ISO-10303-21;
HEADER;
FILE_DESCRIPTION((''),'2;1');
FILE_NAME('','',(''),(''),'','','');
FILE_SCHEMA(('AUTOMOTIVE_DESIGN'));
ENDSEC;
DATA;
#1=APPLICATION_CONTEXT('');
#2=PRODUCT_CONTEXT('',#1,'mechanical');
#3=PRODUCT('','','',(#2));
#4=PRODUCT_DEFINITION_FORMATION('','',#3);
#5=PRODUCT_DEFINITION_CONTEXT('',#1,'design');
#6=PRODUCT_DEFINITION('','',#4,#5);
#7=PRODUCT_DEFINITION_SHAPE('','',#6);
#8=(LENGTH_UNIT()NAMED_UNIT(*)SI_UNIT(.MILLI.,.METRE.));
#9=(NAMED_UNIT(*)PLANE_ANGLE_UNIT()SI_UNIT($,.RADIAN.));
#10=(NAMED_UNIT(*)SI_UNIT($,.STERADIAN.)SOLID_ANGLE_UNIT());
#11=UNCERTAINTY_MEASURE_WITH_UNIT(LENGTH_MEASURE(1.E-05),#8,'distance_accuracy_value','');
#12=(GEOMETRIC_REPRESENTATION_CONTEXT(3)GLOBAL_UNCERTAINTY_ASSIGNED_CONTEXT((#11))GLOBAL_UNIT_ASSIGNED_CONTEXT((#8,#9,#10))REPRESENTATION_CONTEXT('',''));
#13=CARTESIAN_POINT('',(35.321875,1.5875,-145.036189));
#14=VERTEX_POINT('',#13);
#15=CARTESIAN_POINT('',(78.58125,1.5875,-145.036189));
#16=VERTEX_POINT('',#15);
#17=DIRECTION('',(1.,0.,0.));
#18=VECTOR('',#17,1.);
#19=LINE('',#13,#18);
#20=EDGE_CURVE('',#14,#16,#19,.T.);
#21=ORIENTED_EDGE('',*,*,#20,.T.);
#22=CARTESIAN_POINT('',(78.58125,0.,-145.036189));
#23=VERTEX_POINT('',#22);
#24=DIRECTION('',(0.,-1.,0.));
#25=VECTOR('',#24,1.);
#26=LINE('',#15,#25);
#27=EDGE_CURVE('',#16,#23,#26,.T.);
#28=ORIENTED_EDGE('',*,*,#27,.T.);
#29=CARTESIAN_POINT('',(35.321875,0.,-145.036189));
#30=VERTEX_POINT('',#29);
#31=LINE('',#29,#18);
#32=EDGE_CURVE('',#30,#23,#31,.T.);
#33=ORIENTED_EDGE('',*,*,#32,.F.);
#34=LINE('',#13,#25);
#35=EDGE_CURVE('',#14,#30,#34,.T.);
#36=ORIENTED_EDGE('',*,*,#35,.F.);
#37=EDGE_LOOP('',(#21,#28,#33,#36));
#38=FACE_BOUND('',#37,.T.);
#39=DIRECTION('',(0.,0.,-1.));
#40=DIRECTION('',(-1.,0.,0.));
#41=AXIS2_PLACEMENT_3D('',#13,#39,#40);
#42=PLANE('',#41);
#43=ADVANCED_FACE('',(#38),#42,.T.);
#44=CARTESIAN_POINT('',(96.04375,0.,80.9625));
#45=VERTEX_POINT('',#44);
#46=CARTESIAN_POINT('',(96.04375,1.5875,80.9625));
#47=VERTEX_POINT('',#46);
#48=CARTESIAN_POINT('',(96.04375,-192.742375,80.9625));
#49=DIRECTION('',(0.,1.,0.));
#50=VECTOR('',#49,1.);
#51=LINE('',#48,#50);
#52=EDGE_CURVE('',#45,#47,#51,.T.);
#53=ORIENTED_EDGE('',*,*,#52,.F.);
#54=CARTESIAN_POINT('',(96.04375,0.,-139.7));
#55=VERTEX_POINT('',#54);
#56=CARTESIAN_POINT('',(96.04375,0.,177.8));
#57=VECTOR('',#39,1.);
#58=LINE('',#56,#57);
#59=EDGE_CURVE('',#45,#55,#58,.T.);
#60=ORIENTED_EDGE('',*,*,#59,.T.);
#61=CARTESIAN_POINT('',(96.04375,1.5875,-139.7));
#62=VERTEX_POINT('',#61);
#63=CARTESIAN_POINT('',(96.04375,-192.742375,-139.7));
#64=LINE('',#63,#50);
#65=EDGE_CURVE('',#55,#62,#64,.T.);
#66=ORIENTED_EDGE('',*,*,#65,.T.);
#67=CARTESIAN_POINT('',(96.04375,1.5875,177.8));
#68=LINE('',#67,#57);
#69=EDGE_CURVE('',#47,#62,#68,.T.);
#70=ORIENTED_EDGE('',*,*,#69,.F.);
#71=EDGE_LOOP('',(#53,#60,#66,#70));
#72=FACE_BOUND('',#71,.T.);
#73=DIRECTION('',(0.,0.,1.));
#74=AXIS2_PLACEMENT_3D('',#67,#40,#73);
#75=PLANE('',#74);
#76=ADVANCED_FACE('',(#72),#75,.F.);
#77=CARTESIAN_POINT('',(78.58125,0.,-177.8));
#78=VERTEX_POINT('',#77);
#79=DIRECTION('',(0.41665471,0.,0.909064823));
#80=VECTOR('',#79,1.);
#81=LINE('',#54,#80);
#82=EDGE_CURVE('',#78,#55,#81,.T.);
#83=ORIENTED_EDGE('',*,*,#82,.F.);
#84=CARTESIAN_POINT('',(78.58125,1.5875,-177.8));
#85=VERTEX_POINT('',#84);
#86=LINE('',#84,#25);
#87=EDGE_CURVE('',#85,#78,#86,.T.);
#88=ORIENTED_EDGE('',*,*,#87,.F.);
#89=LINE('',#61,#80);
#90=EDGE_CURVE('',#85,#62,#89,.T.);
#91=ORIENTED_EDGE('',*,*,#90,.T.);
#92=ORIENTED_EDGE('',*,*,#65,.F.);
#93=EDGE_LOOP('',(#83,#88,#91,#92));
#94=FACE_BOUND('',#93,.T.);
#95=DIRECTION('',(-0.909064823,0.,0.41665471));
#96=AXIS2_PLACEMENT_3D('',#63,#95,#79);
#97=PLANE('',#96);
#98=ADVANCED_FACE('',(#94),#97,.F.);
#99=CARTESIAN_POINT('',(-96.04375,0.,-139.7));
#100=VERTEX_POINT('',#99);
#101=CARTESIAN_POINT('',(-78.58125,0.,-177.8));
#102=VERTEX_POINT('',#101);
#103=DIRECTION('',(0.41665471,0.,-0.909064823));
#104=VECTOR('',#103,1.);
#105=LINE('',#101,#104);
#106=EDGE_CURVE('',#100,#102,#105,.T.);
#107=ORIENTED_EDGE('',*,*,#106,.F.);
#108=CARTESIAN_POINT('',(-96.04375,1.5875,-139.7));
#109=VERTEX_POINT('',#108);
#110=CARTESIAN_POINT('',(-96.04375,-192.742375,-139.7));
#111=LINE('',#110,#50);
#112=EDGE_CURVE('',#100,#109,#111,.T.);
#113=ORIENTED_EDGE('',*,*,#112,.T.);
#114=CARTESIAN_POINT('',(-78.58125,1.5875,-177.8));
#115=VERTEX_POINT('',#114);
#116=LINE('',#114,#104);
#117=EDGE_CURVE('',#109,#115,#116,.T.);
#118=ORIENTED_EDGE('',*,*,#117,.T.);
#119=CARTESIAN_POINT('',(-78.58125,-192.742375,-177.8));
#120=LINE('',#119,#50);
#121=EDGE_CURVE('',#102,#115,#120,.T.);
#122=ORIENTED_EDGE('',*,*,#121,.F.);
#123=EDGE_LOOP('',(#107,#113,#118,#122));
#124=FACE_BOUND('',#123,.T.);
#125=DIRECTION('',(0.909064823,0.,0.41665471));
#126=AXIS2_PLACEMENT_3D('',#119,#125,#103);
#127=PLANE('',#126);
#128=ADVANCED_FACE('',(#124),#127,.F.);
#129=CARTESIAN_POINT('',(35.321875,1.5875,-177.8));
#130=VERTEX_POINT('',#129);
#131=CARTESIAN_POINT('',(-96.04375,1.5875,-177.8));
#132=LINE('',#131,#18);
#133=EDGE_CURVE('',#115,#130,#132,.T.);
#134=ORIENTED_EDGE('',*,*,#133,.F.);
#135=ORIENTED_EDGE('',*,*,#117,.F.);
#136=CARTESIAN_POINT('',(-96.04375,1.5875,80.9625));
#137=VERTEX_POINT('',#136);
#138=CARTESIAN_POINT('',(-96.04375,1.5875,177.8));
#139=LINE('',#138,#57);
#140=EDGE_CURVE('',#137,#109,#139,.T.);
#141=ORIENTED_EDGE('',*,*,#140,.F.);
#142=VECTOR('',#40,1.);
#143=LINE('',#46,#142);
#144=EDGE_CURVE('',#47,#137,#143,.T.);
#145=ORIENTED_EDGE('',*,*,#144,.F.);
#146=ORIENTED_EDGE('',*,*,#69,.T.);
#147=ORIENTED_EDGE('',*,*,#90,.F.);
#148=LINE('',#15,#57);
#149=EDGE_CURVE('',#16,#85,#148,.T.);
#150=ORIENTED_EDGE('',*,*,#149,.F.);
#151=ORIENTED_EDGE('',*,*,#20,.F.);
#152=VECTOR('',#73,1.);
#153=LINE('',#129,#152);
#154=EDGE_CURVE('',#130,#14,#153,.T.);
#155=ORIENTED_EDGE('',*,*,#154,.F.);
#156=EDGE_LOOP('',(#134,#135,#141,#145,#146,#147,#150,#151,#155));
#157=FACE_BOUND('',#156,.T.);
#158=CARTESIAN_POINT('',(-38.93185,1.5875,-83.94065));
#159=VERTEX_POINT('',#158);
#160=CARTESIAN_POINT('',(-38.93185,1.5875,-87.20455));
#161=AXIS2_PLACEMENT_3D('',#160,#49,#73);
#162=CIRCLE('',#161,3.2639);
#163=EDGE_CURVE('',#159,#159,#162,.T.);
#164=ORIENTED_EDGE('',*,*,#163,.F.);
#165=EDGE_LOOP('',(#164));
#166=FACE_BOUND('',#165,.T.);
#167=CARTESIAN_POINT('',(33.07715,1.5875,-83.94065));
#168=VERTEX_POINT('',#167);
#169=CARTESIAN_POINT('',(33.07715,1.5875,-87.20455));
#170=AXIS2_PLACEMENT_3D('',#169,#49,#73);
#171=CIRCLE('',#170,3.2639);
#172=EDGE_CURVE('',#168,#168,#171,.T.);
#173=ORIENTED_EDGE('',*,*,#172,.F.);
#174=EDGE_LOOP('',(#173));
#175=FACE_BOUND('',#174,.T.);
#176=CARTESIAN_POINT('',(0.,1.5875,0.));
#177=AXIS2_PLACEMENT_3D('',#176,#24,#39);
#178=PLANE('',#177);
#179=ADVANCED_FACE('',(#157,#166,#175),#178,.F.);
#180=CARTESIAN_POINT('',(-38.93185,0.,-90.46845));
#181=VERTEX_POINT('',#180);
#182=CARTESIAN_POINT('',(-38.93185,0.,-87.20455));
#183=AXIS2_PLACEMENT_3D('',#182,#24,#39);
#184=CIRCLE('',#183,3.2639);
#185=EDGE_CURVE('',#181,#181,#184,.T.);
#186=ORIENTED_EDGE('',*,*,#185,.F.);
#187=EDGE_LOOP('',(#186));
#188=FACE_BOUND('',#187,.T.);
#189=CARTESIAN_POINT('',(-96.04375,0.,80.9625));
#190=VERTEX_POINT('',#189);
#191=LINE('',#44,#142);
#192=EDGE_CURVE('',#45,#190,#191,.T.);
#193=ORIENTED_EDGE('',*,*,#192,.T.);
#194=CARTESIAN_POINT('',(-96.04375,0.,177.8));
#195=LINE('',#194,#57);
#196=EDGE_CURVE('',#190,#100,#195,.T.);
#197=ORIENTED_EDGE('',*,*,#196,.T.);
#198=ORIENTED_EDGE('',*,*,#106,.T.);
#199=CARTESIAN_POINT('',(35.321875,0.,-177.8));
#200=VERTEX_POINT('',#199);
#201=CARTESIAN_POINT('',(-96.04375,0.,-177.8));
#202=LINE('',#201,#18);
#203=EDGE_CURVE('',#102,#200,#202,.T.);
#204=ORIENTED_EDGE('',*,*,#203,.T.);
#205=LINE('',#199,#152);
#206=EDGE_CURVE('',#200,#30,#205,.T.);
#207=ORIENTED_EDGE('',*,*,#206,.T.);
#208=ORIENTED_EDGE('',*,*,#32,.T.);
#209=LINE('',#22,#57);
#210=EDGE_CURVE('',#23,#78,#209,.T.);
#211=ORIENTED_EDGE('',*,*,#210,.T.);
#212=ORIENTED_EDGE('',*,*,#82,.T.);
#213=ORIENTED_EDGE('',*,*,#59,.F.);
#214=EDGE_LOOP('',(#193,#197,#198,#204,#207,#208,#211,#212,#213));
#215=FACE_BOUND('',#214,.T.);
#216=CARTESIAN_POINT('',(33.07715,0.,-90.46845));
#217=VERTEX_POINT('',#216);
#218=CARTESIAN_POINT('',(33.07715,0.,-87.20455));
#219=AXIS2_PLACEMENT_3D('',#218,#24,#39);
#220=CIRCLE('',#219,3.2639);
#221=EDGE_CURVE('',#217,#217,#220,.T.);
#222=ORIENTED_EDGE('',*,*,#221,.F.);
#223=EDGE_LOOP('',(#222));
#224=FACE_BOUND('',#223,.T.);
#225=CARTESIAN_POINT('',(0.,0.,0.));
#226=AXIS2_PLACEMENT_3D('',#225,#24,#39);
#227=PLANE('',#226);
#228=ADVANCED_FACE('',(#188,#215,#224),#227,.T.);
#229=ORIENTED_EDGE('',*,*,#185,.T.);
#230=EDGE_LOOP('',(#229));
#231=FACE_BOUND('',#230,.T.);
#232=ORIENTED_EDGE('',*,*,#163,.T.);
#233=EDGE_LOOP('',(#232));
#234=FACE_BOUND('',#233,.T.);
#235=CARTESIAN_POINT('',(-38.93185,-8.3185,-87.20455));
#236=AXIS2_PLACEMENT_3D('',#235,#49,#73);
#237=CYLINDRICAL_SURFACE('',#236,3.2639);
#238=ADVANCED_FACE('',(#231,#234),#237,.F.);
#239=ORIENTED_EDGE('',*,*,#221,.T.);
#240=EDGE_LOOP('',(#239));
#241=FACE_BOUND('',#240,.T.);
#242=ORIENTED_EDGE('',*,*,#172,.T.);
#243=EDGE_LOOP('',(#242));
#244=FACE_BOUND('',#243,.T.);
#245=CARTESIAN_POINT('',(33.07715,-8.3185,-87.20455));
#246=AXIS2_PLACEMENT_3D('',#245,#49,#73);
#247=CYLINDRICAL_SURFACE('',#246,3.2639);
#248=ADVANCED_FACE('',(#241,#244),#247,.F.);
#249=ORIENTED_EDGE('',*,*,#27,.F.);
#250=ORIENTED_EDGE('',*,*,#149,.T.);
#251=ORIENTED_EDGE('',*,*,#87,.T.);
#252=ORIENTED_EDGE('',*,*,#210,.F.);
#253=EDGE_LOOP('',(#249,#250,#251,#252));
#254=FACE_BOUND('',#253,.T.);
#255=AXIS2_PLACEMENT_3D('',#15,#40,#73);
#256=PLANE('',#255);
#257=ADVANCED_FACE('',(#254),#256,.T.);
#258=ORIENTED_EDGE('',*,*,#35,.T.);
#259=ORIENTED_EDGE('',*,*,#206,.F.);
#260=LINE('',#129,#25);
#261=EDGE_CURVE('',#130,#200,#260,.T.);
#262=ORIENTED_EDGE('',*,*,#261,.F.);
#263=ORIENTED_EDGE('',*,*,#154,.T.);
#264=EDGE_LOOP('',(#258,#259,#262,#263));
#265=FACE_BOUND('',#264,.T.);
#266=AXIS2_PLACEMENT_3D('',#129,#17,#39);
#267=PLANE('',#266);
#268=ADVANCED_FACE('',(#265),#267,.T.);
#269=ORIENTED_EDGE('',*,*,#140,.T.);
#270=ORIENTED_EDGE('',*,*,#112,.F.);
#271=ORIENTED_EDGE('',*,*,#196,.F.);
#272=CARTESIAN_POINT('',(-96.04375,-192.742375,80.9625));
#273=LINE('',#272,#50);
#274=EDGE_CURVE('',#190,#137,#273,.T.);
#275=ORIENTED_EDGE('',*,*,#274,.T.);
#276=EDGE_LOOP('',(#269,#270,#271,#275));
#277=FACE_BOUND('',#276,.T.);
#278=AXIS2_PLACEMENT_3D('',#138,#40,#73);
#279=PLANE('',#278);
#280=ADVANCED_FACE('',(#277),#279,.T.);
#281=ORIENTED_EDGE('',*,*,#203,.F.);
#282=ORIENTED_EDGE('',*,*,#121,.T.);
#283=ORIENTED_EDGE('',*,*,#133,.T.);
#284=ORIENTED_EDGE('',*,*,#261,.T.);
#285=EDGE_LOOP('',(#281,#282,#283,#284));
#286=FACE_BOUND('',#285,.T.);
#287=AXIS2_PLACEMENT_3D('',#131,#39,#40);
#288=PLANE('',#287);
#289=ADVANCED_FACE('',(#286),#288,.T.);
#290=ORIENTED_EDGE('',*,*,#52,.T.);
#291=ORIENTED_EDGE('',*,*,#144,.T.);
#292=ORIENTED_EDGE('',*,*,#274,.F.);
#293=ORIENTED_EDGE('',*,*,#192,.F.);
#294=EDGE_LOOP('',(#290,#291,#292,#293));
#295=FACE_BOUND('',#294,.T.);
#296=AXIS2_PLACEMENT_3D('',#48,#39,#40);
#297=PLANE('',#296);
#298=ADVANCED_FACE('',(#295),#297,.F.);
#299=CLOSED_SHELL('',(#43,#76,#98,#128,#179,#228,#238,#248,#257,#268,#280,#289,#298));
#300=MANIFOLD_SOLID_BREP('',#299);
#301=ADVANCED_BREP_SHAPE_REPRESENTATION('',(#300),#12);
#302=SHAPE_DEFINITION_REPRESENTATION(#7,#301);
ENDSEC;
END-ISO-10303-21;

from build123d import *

# Parameters (mm, degrees)
BOSS_EXTRUDE1_DEPTH = 1.5875
SKETCH2_W           = 192.0875
SKETCH2_H           = 15.875
CUT_EXTRUDE1_DEPTH  = 1.5875
SKETCH4_R           = 3.2639
CUT_EXTRUDE2_DEPTH  = 9.906
SKETCH5_W           = 250.81556442
SKETCH5_H           = 138.767374129
CUT_EXTRUDE3_DEPTH  = 125.222


with BuildPart() as part:
    # Sketch1 → Boss-Extrude1 (new body)
    with BuildSketch(Plane(origin=(0, 0, 0), x_dir=(1, 0, 0), z_dir=(0, 1, 0))):
        Polygon((-96.04375, 177.8), (35.321875, 177.8), (35.321875, 145.036189145), (78.58125, 145.036189145), (78.58125, 177.8), (96.04375, 177.8), (96.04375, -177.8), (-96.04375, -177.8), align=None)
    extrude(amount=BOSS_EXTRUDE1_DEPTH)

    # Sketch2 → Cut-Extrude1 (cut)
    with BuildSketch(Plane(origin=(0, 1.5875, 0), x_dir=(1, 0, 0), z_dir=(0, 1, 0))):
        with Locations((0, -88.9)):
            Rectangle(SKETCH2_W, SKETCH2_H)
        Polygon((-78.58125, 177.8), (-96.04375, 139.7), (-96.04375, 177.8), align=None)
        Polygon((96.04375, 139.7), (78.58125, 177.8), (96.04375, 177.8), align=None)
    extrude(amount=-CUT_EXTRUDE1_DEPTH, mode=Mode.SUBTRACT)

    # Sketch4 → Cut-Extrude2 (cut)
    with BuildSketch(Plane(origin=(0, 1.5875, 0), x_dir=(1, 0, 0), z_dir=(0, 1, 0))):
        with Locations((33.07715, 87.20455)):
            Circle(SKETCH4_R)
        with Locations((-38.93185, 87.20455)):
            Circle(SKETCH4_R)
    extrude(amount=-CUT_EXTRUDE2_DEPTH, mode=Mode.SUBTRACT)

    # Sketch5 → Cut-Extrude3 (cut)
    with BuildSketch(Plane(origin=(0, 1.5875, 0), x_dir=(1, 0, 0), z_dir=(0, 1, 0))):
        with Locations((-21.956348657, -157.127502405)):
            Rectangle(SKETCH5_W, SKETCH5_H)
    extrude(amount=-CUT_EXTRUDE3_DEPTH, mode=Mode.SUBTRACT)


solid = part.part
